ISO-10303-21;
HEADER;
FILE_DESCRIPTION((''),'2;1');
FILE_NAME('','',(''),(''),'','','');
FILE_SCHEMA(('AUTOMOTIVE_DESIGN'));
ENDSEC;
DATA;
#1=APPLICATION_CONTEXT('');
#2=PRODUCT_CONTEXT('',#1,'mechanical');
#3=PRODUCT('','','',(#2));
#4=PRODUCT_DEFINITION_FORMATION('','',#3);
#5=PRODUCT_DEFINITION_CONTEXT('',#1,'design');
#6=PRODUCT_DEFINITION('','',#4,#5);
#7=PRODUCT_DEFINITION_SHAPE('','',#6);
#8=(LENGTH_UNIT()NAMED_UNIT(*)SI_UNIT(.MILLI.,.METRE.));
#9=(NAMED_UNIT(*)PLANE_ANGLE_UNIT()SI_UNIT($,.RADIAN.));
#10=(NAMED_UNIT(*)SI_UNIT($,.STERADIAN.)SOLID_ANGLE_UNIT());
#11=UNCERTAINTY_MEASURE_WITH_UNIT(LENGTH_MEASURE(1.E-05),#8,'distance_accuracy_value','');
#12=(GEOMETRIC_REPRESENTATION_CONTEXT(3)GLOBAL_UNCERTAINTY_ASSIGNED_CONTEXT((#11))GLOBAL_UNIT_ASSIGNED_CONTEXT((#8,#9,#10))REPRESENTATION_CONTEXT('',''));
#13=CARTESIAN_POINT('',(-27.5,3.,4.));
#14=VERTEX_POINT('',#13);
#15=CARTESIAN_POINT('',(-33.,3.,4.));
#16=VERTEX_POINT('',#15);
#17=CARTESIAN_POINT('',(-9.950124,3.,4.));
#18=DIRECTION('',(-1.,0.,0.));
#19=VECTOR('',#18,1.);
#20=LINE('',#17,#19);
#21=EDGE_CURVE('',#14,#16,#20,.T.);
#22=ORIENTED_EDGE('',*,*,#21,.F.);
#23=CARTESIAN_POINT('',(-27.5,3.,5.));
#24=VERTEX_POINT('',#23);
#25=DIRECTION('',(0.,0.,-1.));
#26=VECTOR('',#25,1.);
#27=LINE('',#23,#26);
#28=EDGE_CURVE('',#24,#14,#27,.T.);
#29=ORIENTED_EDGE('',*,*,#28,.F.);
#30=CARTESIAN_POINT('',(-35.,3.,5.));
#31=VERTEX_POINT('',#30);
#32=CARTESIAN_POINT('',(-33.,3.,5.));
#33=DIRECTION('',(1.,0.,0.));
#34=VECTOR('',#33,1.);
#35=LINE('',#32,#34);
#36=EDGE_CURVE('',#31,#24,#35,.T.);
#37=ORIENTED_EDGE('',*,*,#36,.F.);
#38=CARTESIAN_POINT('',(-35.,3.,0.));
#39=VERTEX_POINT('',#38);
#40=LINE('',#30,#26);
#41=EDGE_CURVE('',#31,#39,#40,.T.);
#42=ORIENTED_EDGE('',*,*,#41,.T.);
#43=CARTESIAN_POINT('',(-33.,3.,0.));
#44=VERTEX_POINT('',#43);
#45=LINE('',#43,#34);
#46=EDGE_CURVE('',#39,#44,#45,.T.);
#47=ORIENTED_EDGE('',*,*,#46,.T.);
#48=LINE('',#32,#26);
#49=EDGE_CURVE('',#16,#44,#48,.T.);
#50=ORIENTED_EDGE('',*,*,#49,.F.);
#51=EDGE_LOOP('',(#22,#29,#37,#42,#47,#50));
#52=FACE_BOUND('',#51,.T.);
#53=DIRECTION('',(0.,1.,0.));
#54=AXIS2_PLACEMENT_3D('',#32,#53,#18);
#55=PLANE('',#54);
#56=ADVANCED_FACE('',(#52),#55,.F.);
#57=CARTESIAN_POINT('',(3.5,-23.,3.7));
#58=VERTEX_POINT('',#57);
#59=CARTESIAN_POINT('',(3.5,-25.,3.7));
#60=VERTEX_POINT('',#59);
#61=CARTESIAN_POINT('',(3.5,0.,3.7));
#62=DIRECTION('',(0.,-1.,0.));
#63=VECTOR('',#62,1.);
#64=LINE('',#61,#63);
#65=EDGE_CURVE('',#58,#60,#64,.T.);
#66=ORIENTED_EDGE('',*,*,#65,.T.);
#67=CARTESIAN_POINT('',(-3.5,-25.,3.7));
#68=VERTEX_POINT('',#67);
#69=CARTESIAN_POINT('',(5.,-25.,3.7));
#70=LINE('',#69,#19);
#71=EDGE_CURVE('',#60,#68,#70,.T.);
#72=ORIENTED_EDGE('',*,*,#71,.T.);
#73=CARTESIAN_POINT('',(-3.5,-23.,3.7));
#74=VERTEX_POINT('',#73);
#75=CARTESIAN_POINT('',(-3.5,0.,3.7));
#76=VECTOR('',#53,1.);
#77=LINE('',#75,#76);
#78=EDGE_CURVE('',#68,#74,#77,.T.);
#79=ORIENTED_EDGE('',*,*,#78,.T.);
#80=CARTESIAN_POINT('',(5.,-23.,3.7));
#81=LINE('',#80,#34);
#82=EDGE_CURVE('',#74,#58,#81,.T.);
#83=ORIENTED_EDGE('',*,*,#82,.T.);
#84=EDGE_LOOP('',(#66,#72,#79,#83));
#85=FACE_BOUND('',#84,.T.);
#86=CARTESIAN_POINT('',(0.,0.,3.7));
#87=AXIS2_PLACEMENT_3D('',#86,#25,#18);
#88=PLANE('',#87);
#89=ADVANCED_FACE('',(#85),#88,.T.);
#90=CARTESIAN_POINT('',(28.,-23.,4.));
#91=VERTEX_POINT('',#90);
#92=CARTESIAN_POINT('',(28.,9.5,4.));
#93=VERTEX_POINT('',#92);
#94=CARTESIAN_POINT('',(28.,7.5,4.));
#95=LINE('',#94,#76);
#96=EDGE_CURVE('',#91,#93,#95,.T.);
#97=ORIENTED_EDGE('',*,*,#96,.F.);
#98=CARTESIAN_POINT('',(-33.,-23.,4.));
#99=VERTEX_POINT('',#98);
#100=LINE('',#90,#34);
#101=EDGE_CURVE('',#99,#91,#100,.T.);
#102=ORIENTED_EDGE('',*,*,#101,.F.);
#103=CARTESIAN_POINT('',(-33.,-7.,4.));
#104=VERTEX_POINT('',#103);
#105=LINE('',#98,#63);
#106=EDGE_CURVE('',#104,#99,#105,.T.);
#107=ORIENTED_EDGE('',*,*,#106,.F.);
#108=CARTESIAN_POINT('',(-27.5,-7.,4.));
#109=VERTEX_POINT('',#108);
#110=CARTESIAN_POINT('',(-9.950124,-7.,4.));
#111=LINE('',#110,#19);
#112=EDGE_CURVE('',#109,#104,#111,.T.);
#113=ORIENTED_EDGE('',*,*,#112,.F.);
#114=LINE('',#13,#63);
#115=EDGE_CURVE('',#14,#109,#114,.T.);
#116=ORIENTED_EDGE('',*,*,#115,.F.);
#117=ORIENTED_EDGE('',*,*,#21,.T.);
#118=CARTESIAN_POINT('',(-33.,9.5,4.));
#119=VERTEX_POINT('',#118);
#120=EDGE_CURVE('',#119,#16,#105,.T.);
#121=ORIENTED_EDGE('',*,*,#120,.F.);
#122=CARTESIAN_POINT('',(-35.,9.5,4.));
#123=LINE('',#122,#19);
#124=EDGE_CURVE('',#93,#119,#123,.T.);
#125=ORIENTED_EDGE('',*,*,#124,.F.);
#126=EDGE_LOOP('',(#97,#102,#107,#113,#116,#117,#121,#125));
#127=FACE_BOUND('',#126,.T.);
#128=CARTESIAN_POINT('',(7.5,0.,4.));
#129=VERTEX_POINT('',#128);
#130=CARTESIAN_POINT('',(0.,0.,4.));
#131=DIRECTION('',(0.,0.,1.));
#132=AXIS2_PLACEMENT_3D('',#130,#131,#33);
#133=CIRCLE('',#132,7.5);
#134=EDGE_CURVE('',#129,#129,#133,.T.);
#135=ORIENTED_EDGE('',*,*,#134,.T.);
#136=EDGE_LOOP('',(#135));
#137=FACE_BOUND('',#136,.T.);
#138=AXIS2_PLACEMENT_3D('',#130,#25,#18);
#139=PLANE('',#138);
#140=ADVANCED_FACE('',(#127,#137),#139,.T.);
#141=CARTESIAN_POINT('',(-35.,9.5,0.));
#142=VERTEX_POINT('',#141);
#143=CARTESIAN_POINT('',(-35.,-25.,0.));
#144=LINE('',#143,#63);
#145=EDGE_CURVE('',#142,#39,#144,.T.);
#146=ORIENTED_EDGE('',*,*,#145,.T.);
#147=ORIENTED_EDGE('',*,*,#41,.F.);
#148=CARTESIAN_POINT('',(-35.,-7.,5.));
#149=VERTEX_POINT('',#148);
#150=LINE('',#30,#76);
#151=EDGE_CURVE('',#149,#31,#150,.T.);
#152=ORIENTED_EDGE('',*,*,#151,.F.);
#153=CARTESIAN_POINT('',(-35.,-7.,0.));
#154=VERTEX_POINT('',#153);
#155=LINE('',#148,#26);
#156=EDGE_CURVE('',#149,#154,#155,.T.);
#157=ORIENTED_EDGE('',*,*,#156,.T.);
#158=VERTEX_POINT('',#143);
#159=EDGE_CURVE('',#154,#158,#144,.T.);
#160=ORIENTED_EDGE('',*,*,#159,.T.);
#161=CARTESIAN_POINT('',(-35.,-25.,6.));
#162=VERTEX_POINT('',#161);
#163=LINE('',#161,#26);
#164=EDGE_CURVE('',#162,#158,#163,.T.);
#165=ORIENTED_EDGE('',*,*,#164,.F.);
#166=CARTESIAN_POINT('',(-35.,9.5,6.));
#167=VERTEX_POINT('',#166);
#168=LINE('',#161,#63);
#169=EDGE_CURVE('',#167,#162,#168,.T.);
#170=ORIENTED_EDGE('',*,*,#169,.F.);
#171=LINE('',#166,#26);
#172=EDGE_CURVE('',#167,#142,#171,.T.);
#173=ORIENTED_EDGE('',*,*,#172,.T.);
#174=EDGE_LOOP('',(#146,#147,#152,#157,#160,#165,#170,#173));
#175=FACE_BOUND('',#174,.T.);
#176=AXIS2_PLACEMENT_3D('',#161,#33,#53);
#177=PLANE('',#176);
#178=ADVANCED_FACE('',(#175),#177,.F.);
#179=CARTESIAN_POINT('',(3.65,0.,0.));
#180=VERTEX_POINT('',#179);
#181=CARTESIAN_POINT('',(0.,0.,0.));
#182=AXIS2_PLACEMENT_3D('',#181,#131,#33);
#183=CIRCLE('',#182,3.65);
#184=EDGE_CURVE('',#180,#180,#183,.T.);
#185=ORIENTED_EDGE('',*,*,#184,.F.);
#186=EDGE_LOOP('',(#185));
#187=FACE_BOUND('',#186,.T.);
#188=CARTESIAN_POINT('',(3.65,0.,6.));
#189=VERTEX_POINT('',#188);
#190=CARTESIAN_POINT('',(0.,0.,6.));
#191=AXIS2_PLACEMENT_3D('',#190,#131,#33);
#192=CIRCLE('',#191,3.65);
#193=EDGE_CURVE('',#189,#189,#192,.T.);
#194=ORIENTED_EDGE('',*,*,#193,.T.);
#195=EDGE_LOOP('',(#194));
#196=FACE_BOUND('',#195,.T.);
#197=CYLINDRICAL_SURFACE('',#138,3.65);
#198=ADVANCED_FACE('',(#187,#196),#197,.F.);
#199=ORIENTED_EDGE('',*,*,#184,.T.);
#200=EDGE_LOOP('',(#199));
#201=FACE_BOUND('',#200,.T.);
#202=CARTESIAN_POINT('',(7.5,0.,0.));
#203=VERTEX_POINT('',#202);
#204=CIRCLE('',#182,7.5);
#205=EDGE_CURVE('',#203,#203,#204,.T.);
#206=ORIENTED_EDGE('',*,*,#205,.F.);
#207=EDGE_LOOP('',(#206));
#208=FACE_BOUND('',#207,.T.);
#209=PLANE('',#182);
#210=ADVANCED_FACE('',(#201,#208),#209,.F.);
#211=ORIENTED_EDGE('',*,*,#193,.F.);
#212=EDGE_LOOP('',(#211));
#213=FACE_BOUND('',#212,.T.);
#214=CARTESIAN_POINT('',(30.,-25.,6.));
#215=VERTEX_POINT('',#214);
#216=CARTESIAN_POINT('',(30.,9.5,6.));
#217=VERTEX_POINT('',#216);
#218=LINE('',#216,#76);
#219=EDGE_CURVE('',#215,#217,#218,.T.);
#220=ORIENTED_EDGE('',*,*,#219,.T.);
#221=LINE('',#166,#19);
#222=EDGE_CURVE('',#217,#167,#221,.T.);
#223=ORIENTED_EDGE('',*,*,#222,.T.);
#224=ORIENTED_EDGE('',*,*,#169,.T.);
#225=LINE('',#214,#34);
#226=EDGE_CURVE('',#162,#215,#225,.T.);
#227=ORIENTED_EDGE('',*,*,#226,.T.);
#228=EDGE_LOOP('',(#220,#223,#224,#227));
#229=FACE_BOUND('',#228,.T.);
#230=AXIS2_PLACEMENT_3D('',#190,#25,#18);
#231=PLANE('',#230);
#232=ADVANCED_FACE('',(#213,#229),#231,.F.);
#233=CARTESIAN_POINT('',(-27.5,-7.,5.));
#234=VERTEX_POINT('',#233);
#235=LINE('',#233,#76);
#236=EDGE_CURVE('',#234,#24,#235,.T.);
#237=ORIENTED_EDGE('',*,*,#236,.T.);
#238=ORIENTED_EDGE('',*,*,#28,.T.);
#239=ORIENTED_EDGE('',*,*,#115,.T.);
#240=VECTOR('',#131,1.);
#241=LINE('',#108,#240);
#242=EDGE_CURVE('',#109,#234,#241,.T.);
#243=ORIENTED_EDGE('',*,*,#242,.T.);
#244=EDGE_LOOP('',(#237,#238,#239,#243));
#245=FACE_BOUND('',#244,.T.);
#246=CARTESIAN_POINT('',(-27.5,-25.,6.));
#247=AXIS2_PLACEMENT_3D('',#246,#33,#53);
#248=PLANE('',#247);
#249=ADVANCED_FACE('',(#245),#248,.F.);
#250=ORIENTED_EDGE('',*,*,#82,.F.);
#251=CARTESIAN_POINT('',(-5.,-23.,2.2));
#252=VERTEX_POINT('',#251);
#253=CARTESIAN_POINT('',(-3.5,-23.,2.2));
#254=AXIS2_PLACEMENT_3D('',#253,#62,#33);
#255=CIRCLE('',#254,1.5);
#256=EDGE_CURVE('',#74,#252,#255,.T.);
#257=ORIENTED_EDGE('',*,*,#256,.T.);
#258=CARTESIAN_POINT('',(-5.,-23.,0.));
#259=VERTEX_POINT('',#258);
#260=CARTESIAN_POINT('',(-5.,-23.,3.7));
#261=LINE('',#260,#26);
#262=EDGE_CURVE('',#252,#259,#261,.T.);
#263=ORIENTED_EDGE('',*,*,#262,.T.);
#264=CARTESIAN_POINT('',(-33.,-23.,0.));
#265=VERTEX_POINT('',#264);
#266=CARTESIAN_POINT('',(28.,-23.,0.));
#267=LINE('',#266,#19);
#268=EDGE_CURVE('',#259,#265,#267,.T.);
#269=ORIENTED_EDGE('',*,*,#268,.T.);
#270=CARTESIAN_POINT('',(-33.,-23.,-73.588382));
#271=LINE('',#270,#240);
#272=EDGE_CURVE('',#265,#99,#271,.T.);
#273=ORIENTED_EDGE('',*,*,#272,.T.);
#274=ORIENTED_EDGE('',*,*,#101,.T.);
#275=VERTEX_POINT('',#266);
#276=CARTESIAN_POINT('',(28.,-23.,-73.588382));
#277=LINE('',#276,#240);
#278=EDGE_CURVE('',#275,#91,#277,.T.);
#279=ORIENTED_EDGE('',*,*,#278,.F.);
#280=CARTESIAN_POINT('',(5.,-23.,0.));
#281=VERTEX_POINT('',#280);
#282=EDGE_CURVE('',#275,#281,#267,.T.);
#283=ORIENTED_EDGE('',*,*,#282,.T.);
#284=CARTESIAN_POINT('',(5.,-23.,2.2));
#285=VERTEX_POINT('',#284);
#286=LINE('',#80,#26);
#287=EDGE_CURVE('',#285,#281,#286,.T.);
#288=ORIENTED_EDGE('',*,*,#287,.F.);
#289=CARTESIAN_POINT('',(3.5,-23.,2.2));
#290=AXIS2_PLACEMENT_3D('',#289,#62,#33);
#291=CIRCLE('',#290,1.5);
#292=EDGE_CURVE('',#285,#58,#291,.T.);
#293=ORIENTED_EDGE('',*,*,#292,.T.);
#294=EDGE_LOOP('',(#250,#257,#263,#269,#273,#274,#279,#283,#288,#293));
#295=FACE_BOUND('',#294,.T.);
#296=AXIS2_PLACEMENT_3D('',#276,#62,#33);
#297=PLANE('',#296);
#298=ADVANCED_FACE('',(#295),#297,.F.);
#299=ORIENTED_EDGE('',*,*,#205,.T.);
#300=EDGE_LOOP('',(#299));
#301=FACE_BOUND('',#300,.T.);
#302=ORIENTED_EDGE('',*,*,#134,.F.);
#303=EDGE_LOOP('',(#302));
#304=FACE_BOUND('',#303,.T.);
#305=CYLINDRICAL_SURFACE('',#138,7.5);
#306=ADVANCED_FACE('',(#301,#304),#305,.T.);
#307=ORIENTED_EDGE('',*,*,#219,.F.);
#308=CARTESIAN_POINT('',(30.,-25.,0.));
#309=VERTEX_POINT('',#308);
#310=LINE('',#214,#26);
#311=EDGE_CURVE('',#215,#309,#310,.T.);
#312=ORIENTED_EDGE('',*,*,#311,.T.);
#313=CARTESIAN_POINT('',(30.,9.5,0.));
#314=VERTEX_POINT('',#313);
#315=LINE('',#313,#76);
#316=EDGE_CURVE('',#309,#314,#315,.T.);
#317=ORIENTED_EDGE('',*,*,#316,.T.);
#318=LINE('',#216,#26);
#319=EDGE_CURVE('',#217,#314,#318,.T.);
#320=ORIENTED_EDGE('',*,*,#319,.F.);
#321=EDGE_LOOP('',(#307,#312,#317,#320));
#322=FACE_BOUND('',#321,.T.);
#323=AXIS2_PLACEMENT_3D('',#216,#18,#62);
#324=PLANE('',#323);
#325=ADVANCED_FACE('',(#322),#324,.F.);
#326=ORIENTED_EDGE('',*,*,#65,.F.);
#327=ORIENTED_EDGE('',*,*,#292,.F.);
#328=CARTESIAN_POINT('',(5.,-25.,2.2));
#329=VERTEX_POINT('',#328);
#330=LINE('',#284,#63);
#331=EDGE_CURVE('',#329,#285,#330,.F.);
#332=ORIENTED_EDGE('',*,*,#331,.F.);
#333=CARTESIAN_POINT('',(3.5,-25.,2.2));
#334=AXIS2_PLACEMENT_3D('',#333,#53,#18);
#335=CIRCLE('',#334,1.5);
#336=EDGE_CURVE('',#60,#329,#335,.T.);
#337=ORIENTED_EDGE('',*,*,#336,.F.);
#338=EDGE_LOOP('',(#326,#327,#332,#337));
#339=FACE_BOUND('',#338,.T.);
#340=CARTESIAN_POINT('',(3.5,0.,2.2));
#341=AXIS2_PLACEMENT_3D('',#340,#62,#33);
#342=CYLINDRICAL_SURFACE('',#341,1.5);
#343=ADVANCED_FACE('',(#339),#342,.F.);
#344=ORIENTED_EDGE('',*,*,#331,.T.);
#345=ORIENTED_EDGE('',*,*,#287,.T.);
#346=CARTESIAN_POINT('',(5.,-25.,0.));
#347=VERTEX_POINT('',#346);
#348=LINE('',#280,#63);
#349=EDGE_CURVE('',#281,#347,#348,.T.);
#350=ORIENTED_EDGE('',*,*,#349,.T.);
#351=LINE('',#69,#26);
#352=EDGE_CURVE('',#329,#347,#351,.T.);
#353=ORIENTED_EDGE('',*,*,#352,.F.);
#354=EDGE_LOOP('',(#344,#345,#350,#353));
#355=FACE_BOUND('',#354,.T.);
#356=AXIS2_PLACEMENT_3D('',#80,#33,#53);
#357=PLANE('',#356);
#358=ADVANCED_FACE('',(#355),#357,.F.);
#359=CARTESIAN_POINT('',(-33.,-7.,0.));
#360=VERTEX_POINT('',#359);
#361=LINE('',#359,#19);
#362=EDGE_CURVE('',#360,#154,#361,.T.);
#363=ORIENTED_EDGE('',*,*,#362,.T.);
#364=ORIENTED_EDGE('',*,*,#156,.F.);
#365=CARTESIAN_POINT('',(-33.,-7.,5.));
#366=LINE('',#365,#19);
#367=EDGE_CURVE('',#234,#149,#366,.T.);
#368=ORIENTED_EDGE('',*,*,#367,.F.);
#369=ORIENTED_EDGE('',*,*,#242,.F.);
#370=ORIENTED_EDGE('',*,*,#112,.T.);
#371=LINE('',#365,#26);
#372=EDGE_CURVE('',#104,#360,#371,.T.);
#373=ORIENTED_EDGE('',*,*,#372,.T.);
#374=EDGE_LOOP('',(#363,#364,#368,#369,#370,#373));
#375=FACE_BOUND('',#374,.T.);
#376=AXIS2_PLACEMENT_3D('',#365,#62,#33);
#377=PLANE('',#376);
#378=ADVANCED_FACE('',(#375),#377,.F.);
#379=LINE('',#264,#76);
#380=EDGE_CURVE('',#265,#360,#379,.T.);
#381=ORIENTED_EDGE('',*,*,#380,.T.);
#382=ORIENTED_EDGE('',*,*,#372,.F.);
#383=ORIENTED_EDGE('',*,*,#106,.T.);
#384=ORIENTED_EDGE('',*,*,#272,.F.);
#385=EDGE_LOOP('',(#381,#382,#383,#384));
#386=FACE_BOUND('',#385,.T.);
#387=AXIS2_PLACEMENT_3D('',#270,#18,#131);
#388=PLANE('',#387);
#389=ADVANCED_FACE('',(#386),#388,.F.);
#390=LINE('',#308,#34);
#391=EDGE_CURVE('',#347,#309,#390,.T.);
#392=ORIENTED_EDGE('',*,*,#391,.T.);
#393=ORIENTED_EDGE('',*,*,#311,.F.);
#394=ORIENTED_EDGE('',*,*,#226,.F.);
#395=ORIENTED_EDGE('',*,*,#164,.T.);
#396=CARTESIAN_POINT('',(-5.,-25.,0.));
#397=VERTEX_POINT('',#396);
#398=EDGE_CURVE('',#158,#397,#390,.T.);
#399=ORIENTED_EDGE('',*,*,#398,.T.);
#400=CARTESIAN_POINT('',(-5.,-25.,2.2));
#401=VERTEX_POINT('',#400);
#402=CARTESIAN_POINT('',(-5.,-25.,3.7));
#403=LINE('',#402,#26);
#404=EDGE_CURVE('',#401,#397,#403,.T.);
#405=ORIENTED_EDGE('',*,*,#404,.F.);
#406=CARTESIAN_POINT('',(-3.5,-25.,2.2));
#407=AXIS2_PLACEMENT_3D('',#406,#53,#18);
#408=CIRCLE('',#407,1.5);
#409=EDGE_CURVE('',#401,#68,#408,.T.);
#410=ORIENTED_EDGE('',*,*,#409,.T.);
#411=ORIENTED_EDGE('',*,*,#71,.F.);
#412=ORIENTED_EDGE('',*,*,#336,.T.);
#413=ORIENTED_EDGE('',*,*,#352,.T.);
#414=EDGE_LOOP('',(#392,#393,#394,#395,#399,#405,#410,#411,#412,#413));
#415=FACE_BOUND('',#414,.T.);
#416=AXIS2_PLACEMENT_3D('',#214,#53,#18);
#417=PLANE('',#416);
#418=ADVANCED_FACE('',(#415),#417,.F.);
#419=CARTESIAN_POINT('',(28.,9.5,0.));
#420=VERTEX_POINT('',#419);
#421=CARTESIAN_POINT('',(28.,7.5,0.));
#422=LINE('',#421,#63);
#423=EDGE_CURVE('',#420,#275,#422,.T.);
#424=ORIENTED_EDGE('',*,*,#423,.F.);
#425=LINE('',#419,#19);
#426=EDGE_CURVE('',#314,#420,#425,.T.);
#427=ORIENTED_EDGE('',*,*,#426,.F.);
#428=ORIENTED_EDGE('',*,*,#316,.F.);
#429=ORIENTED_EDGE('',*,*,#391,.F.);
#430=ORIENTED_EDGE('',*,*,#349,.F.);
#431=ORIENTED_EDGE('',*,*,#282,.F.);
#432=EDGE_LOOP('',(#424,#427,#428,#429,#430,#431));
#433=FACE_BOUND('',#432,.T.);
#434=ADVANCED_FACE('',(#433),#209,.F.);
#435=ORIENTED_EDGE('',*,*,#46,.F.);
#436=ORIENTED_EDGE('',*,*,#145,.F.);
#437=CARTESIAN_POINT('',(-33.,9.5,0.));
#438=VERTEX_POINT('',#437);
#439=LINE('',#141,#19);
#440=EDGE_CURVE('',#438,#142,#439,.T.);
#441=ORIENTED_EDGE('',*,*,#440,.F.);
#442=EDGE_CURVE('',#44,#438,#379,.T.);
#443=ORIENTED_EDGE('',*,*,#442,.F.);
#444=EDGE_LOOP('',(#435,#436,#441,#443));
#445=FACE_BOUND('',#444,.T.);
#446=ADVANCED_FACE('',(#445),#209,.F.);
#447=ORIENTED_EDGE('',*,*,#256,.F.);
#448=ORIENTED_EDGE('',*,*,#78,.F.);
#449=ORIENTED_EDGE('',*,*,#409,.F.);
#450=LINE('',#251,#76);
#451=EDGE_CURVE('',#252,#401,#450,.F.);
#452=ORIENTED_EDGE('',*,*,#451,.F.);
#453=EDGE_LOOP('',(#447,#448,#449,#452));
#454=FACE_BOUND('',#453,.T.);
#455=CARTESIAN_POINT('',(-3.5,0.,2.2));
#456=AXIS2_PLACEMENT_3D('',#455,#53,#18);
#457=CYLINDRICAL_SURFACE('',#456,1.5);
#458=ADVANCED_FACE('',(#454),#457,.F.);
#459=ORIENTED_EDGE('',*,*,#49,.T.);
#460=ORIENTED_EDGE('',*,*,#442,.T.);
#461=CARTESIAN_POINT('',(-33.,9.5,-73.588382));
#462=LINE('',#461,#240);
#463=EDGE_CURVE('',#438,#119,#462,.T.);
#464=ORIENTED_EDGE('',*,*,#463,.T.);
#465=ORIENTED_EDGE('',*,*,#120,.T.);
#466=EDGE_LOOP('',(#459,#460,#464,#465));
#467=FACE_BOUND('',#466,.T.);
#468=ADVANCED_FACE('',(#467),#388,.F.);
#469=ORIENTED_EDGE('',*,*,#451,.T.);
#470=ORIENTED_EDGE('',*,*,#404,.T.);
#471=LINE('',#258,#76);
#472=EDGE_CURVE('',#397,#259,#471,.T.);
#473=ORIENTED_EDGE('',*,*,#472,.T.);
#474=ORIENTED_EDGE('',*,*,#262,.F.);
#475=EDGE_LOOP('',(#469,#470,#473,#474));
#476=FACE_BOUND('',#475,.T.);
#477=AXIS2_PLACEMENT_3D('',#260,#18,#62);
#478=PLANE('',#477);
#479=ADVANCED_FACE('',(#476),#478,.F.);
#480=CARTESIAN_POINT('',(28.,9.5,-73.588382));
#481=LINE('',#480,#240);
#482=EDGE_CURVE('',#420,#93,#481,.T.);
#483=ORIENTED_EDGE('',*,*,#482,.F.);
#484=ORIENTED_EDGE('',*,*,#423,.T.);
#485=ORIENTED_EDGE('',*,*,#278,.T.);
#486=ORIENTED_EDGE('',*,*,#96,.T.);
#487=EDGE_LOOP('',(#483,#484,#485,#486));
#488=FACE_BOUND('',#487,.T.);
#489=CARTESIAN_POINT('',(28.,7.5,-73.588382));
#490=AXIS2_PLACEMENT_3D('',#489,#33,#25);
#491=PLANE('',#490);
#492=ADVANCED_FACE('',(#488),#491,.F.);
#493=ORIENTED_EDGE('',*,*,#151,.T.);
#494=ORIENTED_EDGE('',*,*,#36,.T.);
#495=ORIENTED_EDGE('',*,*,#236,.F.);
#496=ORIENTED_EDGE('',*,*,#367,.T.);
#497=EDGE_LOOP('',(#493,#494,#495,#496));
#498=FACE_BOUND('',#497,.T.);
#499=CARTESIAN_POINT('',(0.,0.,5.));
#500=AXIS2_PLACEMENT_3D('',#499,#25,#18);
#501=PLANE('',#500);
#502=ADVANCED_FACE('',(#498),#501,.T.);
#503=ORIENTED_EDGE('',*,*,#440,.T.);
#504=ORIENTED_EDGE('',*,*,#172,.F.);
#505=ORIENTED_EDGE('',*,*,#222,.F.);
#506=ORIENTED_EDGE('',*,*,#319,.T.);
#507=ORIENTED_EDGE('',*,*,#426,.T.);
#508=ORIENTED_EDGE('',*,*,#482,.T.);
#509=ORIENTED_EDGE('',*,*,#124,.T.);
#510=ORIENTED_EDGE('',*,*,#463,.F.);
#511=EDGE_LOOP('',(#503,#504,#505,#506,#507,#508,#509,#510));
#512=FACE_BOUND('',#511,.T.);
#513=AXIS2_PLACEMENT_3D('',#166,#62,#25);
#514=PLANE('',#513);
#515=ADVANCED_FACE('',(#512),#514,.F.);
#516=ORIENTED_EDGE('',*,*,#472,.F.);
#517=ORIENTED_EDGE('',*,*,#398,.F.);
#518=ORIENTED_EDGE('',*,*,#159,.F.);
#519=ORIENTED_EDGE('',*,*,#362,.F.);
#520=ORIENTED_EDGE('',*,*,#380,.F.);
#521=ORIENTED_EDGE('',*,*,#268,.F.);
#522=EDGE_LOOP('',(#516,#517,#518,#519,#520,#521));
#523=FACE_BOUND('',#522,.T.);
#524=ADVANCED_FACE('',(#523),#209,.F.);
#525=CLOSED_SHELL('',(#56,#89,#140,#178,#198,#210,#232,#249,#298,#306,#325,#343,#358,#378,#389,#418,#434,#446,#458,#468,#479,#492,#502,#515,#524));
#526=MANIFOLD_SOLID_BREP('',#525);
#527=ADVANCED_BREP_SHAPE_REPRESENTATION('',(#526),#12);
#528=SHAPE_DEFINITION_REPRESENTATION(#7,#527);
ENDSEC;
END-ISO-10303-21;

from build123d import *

# Parameters (mm, degrees)
SKETCH_2_R          = 7.5
SKETCH_2_R_2        = 3.65
EXTRUDE_1_DEPTH     = 4
SKETCH_3_W          = 65
SKETCH_3_H          = 34.5
SKETCH_3_R          = 3.65
EXTRUDE_2_DEPTH     = 2
EXTRUDE_3_DEPTH     = 4
SKETCH_5_W          = 10
SKETCH_5_H          = 2
CUT_EXTRUDE_1_DEPTH = 3.7
FILLET_1_R          = 1.5
SKETCH_6_W          = 2
SKETCH_6_H          = 10
CUT_EXTRUDE_2_DEPTH = 5
SKETCH_7_W          = 1
SKETCH_7_H          = 10
CUT_EXTRUDE_3_DEPTH = 5.5


with BuildPart() as part:
    # 草图2 → 凸台-拉伸1 (new body)
    with BuildSketch(Plane.XY):
        Circle(SKETCH_2_R)
        Circle(SKETCH_2_R_2, mode=Mode.SUBTRACT)
    extrude(amount=EXTRUDE_1_DEPTH)

    # 草图3 → 凸台-拉伸2 (add)
    with BuildSketch(Plane.XY.offset(4)):
        with Locations((-2.5, -7.75)):
            Rectangle(SKETCH_3_W, SKETCH_3_H)
        Circle(SKETCH_3_R, mode=Mode.SUBTRACT)
    extrude(amount=EXTRUDE_2_DEPTH)

    # 草图4 → 凸台-拉伸3 (add)
    with BuildSketch(Plane(origin=(0, 0, 4), x_dir=(-1, 0, 0), z_dir=(0, 0, -1))):
        Polygon((-28, 7.5), (-28, -23), (33, -23), (33, 7.5), (33, 9.5), (35, 9.5), (35, -25), (-30, -25), (-30, 9.5), (-28, 9.5), align=None)
    extrude(amount=EXTRUDE_3_DEPTH)

    # 草图5 → 切除-拉伸1 (cut)
    with BuildSketch(Plane(origin=(0, 0, 0), x_dir=(-1, 0, 0), z_dir=(0, 0, -1))):
        with Locations((0, -24)):
            Rectangle(SKETCH_5_W, SKETCH_5_H)
    extrude(amount=-CUT_EXTRUDE_1_DEPTH, mode=Mode.SUBTRACT)

    # 圆角1
    fillet_1_edges = [part.edges().sort_by_distance(p)[0] for p in [
        (5, -24, 3.7),
        (-5, -24, 3.7),
    ]]
    fillet(fillet_1_edges, radius=FILLET_1_R)

    # 草图6 → 切除-拉伸2 (cut)
    with BuildSketch(Plane(origin=(0, 0, 0), x_dir=(-1, 0, 0), z_dir=(0, 0, -1))):
        with Locations((34, -2)):
            Rectangle(SKETCH_6_W, SKETCH_6_H)
    extrude(amount=-CUT_EXTRUDE_2_DEPTH, mode=Mode.SUBTRACT)

    # 草图7 → 切除-拉伸3 (cut)
    with BuildSketch(Plane.ZY.offset(33)):
        with Locations((4.5, -2)):
            Rectangle(SKETCH_7_W, SKETCH_7_H)
    extrude(amount=-CUT_EXTRUDE_3_DEPTH, mode=Mode.SUBTRACT)


solid = part.part
